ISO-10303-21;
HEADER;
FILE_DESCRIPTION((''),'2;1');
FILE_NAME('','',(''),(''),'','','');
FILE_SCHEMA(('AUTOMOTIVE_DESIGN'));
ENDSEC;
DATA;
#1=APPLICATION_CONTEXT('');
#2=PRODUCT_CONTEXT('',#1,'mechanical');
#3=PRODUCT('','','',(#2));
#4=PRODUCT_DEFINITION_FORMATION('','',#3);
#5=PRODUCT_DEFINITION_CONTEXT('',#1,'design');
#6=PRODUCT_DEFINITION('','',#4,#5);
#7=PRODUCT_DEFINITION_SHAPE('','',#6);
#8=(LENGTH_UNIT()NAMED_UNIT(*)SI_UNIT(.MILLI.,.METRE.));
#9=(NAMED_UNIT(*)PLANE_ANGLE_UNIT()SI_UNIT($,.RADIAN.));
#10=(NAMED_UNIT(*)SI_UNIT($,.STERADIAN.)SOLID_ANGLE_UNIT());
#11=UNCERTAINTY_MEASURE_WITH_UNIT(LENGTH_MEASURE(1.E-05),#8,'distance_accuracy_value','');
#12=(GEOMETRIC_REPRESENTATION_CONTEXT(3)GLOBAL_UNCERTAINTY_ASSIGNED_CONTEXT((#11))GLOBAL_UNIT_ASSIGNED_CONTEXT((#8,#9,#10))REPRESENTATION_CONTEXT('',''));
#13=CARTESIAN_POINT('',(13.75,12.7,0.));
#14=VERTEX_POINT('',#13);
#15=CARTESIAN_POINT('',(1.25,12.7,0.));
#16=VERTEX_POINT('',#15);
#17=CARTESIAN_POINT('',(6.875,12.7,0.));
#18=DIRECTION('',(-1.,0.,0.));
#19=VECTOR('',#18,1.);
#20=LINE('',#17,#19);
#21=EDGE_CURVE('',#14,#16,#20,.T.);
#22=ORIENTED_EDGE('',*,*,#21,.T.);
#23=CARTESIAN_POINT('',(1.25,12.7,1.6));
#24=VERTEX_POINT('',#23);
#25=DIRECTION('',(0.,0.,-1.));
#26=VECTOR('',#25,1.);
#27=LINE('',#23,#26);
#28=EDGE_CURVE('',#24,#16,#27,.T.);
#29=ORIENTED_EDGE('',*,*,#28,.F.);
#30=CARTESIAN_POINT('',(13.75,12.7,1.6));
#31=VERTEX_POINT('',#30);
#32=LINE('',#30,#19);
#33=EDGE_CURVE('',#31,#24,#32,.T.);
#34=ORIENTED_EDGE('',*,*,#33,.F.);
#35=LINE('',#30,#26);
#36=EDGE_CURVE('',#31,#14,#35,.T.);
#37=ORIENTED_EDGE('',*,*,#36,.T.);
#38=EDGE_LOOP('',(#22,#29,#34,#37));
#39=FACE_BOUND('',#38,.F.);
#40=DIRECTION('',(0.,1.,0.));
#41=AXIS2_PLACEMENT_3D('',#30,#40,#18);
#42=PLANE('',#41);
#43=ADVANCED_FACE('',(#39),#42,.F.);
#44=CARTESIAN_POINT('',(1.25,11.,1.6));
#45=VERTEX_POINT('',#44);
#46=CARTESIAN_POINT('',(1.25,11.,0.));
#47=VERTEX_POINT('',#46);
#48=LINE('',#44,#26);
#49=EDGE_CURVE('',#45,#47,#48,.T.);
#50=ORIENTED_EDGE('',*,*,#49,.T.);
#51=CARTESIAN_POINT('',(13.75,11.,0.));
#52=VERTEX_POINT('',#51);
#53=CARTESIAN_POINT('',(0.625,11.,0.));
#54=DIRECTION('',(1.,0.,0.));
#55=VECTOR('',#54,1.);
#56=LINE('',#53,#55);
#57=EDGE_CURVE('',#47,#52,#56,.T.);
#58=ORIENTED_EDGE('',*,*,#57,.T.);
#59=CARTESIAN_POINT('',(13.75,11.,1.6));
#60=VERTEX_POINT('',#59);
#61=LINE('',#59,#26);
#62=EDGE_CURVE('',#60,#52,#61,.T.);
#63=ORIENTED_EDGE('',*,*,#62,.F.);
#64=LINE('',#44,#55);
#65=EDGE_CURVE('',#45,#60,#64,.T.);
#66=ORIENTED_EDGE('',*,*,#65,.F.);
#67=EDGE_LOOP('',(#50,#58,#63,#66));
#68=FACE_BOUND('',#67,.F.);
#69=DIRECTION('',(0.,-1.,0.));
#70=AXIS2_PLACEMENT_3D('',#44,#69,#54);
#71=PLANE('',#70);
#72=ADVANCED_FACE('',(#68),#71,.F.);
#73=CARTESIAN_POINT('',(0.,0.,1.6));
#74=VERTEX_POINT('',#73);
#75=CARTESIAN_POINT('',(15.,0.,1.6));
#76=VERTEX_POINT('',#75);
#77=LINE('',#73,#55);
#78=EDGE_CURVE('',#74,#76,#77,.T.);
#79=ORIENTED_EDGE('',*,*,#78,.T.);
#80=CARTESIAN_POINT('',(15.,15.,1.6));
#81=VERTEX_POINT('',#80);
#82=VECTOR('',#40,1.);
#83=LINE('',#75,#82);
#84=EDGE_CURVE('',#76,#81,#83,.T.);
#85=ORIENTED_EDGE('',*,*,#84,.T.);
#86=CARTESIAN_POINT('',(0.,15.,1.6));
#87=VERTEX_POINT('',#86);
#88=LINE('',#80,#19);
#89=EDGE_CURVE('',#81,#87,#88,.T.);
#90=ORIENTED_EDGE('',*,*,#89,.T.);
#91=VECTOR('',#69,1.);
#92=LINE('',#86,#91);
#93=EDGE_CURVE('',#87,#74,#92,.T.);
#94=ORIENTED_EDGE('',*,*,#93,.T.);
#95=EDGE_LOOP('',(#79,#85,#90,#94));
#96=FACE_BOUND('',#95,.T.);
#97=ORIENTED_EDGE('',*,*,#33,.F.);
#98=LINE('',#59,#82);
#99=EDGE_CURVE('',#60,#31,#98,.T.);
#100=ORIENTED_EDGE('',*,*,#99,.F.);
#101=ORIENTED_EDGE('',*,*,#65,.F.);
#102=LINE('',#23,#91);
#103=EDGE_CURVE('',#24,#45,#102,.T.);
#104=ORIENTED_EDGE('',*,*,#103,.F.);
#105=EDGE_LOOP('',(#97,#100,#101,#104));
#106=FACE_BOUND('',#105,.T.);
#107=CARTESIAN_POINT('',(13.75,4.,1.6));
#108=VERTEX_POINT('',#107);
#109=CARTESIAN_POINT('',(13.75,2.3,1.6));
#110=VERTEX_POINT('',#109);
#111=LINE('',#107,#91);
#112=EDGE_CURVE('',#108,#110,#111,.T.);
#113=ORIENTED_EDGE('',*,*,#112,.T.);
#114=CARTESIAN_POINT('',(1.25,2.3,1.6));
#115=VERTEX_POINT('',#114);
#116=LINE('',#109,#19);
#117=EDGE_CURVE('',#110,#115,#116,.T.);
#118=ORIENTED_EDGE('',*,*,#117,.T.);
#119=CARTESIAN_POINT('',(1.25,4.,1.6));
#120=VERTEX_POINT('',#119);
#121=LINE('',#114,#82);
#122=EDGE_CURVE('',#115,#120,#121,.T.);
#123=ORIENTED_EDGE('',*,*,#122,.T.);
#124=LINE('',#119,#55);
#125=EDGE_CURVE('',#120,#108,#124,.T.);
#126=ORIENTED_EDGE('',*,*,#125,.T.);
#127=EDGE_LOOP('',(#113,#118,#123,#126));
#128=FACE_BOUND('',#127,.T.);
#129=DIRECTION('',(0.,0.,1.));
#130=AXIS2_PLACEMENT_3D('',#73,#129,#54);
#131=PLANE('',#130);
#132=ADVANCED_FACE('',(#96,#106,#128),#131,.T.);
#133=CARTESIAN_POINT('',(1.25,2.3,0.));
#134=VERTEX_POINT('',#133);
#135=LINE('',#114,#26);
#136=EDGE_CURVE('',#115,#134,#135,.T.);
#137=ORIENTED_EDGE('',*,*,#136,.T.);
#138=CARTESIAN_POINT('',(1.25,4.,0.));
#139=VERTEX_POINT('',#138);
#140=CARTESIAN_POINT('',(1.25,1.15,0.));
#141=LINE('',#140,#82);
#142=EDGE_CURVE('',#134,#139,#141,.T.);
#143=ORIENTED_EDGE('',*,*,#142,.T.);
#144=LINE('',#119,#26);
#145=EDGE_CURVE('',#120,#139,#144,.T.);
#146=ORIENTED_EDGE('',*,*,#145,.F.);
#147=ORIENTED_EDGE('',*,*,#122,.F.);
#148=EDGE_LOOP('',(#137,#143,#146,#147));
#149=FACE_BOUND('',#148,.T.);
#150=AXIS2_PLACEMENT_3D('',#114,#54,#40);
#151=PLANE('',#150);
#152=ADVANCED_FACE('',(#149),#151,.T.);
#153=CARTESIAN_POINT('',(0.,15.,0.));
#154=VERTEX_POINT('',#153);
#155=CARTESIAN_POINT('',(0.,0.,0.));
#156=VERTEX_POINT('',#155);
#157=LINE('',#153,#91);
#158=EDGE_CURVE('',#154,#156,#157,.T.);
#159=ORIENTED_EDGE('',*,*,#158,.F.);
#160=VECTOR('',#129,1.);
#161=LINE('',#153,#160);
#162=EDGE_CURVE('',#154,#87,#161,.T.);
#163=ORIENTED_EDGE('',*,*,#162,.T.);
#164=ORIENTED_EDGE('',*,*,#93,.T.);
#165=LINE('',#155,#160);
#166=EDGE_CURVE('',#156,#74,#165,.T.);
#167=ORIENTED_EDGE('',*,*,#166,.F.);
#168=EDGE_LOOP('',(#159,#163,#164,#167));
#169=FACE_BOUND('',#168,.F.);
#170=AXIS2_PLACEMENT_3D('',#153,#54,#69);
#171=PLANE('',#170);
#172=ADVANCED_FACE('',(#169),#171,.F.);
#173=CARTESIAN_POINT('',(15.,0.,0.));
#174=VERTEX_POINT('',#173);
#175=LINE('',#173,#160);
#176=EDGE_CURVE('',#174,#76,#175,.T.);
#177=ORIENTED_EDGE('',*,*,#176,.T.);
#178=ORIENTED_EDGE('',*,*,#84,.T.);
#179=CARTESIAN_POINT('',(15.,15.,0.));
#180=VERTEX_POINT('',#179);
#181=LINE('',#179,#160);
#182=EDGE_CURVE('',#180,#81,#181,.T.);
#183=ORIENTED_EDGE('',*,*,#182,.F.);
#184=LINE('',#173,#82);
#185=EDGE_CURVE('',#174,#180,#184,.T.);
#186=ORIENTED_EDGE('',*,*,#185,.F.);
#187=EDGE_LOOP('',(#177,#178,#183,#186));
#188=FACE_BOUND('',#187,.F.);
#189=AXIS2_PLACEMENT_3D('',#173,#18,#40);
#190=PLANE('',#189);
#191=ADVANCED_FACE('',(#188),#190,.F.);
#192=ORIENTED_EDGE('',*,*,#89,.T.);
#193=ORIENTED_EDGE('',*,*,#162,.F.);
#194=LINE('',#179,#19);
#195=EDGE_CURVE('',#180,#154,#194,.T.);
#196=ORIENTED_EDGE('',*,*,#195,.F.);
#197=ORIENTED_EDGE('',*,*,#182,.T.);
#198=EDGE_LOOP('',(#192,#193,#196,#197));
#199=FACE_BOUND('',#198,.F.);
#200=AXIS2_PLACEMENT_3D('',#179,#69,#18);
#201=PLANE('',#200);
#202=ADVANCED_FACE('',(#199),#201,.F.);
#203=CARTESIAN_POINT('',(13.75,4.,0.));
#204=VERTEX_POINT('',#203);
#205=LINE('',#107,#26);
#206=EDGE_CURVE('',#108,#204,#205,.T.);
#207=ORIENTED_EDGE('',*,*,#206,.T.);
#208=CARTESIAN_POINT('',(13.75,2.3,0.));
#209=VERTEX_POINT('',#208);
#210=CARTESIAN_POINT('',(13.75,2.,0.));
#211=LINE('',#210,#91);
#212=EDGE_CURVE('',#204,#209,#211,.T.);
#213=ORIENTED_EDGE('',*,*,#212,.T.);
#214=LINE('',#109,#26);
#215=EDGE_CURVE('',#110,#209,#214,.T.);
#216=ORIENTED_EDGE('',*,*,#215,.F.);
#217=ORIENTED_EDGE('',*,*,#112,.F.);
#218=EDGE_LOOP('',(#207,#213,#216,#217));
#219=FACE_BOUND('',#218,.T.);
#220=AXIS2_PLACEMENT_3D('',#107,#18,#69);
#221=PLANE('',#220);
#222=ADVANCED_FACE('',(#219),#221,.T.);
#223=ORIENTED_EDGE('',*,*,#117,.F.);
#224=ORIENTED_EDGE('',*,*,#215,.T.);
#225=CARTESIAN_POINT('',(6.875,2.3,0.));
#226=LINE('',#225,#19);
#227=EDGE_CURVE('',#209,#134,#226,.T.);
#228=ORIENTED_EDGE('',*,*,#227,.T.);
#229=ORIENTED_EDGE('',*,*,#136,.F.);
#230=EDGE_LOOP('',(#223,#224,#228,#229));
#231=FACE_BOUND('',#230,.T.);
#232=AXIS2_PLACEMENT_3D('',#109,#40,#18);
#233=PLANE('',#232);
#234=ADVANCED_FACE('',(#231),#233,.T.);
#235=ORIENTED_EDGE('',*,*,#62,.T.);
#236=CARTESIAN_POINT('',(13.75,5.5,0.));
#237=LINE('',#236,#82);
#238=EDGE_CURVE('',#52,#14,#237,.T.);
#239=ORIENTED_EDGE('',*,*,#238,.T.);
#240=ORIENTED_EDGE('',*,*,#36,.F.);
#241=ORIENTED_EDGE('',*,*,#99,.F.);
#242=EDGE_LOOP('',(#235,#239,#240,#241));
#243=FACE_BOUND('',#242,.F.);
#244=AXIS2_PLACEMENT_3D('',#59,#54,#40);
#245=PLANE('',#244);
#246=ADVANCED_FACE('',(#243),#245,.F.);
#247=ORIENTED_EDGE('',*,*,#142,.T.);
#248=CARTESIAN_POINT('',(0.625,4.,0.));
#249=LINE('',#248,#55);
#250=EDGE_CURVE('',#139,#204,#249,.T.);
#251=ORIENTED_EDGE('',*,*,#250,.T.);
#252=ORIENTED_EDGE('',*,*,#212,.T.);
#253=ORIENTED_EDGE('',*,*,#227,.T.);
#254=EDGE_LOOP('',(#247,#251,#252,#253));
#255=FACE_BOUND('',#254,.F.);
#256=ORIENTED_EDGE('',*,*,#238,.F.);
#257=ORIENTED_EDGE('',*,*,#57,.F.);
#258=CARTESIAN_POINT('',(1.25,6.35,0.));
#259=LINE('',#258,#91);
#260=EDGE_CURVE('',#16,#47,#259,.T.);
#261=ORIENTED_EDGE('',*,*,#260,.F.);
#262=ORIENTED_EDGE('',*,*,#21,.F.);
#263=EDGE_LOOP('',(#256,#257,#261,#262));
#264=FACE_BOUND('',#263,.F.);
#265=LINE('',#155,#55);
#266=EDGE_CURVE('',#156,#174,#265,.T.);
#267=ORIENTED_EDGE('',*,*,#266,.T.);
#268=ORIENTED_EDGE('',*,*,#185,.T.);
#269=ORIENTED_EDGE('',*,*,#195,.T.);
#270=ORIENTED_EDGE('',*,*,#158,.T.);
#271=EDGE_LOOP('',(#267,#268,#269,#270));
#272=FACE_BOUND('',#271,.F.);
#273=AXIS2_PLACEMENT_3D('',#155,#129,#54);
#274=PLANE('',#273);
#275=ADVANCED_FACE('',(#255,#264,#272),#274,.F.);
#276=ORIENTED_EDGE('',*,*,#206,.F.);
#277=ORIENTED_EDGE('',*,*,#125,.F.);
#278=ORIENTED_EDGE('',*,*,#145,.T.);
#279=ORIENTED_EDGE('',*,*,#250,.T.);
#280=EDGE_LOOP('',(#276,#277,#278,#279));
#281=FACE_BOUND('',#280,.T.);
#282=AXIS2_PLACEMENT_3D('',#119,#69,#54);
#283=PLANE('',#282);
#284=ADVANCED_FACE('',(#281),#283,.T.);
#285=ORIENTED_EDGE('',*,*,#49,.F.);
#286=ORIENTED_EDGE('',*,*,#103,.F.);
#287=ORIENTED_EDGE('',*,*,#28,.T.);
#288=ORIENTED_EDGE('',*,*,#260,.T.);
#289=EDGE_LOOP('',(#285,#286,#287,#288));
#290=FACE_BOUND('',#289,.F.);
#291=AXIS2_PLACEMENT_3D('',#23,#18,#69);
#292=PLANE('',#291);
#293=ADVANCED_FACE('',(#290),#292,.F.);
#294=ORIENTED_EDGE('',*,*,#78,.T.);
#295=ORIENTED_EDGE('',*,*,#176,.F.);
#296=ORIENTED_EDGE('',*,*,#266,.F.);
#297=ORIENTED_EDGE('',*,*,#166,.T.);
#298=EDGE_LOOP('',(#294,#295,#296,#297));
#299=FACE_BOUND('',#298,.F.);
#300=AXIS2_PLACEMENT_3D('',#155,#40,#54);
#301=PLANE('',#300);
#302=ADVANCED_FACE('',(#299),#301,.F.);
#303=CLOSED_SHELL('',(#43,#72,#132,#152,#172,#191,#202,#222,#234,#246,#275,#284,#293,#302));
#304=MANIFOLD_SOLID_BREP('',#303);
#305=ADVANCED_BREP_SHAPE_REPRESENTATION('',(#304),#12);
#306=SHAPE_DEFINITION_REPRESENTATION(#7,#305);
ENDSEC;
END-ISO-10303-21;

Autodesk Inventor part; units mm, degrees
ref_plane "YZ Plane" through (0, 0, 0) normal (1, 0, 0) x (0, 1, 0)
ref_plane "XZ Plane" through (0, 0, 0) normal (0, 1, 0) x (-1, 0, 0)
ref_plane "XY Plane" through (0, 0, 0) normal (0, 0, 1) x (1, 0, 0)
sketch "スケッチ1" plane through (0, 0, 0) normal (0, 0, 1) x (1, 0, 0)
  line L0 (0, 0) -> (15, 0)
  line L1 (15, 0) -> (15, 15)
  line L2 (15, 15) -> (0, 15)
  line L3 (0, 15) -> (0, 0)
  dimension "d0" = 15
  dimension "d1" = 15
extrude "押し出し1" add sketch "スケッチ1" along normal blind 1.6
sketch "スケッチ2" plane through (0, 0, 1.6) normal (0, 0, 1) x (1, 0, 0)
  line L0 (1.25, 4) -> (13.75, 4)
  line L1 (13.75, 4) -> (13.75, 2.3)
  line L2 (13.75, 2.3) -> (1.25, 2.3)
  line L3 (1.25, 2.3) -> (1.25, 4)
  line L4 (0, 0) -> (15, 0) projected
  line L5 (15, 0) -> (15, 15) projected
  line L6 (15, 15) -> (0, 15) projected
  line L7 (0, 15) -> (0, 0) projected
  line L8 (0, 0) -> (15, 0) projected
  line L9 (0, 15) -> (0, 0) projected
  line L10 (0, 7.5) -> (2.3188, 7.5)
  line L11 (1.25, 11) -> (13.75, 11)
  line L12 (13.75, 11) -> (13.75, 12.7)
  line L13 (13.75, 12.7) -> (1.25, 12.7)
  line L14 (1.25, 12.7) -> (1.25, 11)
  line L15 (7.5, 2.3) -> (7.5, 0)
  point P0 (7.5, 13.5879)
  dimension "d4" = 12.5
  dimension "d5" = 1.7
  dimension "d6" = 7
extrude "押し出し2" cut sketch "スケッチ2" against normal through all contours L0 L1 L2 L3 | L14 L13 L12 L11
properties part number "USBブリッジ基板1"
